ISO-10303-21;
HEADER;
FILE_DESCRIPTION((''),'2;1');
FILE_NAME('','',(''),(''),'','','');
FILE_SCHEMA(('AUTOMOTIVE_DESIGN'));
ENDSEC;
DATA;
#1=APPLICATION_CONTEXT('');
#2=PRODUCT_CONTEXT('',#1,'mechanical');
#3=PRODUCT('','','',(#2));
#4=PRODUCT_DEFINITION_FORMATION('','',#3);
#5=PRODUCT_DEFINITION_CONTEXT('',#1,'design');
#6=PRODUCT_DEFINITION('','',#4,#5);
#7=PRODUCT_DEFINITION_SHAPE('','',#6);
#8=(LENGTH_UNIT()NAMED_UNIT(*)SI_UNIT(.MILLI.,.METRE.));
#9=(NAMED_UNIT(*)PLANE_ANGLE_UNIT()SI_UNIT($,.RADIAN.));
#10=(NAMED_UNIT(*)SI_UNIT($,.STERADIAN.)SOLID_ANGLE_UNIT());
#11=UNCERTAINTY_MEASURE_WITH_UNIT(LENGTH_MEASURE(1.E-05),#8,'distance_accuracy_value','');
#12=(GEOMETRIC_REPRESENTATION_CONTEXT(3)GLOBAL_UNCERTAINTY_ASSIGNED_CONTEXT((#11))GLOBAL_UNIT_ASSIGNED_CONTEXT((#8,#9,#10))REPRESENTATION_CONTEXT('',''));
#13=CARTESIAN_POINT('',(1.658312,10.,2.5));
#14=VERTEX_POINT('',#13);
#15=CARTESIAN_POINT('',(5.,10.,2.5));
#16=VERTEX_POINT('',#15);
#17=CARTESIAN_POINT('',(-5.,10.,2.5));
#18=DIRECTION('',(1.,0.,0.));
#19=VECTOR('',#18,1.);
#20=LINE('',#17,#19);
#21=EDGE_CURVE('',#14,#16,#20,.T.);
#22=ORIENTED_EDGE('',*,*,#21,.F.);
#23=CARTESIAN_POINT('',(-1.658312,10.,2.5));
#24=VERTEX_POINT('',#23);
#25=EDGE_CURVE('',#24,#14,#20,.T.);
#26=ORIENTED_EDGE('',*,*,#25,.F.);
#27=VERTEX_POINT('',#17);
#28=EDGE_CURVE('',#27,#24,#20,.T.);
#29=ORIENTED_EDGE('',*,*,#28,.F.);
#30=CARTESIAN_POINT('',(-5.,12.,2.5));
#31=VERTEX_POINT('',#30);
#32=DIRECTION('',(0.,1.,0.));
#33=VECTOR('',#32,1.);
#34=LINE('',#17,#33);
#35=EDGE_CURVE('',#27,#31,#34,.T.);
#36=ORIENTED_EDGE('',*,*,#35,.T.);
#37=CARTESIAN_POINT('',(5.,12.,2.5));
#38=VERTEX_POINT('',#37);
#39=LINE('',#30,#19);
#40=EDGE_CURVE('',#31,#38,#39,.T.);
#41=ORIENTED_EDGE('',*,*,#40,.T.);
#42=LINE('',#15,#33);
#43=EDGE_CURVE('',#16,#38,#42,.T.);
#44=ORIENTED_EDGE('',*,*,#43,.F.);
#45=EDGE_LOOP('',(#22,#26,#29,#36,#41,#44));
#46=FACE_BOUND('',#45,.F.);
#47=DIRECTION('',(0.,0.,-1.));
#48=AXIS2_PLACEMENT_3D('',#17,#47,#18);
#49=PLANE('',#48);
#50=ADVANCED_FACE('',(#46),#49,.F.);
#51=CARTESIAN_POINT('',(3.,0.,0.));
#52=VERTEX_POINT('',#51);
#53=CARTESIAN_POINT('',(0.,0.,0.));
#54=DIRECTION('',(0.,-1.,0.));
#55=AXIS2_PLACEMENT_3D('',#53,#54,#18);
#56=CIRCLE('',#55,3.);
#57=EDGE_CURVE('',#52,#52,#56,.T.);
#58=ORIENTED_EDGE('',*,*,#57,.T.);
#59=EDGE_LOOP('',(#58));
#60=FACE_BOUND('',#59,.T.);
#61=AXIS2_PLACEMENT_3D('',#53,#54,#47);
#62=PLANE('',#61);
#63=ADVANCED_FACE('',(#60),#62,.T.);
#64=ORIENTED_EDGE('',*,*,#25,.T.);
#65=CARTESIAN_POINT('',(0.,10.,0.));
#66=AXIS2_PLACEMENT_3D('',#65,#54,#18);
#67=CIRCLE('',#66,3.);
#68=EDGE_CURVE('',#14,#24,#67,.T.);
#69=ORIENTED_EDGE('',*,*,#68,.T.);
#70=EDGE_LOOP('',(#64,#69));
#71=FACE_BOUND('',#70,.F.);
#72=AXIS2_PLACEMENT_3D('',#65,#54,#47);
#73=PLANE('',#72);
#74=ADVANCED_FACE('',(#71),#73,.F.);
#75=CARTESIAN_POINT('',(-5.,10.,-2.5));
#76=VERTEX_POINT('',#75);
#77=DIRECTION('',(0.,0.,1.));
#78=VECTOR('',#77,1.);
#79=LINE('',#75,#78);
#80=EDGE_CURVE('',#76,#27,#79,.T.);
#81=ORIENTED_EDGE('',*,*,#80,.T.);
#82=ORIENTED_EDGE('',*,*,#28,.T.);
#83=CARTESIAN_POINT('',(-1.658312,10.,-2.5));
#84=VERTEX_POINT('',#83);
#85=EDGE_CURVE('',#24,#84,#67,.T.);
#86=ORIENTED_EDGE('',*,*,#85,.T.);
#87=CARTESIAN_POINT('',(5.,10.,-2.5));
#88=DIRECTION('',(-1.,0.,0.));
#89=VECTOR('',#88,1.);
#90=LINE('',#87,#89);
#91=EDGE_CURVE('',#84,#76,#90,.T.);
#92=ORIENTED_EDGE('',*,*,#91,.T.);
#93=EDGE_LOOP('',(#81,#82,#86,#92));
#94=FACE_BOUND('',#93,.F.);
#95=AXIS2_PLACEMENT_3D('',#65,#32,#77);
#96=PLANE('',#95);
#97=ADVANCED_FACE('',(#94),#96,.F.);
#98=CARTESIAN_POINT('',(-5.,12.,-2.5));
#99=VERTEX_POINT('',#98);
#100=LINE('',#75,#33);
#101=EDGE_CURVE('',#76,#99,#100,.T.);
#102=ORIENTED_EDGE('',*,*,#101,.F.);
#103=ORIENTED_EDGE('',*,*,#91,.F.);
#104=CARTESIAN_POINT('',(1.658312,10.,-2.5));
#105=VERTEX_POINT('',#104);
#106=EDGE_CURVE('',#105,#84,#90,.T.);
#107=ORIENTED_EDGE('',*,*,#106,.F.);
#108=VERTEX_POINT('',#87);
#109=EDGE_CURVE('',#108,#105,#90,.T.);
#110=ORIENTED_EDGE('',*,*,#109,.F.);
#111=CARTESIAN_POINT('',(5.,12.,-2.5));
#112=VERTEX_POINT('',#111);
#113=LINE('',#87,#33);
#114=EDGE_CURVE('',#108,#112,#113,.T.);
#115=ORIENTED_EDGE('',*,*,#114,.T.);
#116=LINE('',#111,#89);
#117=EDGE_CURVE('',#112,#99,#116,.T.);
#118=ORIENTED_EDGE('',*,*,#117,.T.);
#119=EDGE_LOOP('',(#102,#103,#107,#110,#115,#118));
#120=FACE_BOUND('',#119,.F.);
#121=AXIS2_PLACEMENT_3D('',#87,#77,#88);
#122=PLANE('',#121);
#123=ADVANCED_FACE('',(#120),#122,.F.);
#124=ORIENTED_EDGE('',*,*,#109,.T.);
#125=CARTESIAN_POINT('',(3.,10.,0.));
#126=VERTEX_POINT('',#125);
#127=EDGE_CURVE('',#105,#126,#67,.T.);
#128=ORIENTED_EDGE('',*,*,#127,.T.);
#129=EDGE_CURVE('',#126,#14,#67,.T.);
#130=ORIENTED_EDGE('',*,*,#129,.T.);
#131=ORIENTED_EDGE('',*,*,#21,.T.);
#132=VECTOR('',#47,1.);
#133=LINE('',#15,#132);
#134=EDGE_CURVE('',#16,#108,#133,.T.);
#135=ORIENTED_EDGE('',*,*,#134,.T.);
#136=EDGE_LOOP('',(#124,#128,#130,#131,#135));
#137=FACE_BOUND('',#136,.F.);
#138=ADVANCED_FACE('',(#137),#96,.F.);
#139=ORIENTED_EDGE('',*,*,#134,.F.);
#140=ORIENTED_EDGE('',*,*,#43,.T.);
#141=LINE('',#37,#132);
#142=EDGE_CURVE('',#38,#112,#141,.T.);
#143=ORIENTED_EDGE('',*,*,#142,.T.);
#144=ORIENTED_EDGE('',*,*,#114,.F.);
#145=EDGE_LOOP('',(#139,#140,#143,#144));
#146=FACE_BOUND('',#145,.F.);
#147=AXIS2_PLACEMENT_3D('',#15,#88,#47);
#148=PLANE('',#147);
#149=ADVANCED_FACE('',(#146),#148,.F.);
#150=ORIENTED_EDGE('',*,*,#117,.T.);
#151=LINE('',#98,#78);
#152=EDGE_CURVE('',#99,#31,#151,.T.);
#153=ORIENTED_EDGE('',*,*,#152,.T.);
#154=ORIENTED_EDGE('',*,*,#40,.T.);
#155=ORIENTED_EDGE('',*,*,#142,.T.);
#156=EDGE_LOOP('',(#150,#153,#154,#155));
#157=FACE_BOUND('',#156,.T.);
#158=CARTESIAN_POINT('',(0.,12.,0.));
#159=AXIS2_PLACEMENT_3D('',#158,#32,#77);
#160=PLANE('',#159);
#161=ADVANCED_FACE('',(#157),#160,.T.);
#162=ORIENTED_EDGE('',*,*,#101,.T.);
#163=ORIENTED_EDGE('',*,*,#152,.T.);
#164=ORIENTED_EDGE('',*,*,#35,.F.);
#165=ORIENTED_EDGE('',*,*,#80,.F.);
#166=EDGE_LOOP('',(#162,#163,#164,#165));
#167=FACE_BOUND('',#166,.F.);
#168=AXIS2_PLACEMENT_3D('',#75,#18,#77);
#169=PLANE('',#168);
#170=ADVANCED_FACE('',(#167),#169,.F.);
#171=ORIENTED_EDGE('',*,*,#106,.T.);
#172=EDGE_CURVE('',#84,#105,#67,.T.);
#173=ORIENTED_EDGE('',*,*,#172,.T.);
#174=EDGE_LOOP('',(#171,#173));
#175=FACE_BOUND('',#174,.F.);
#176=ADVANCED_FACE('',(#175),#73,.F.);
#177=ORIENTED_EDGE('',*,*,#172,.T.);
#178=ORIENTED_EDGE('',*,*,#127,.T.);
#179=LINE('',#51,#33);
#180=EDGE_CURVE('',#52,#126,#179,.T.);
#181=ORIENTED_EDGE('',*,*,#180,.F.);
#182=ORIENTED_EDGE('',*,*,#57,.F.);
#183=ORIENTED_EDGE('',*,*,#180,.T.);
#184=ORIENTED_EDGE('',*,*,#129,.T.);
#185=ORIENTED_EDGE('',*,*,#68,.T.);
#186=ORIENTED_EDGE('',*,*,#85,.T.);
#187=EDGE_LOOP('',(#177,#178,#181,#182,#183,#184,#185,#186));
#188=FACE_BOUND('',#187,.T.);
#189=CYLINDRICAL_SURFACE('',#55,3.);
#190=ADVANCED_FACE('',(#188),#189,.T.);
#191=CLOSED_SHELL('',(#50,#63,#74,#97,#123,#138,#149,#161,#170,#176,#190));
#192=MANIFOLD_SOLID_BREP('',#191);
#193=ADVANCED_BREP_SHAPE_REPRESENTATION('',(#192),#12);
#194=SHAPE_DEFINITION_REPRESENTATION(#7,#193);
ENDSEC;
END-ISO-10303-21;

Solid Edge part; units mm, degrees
sketch "Sketch1" plane through (0, 0, 0) normal (0, -1, 0) x (1, 0, 0)
  circle A0 centre (0, 0) radius 3
extrude "Protrusion1" add sketch "Sketch1" against normal blind 10
sketch "Sketch2" plane through (0, 10, 0) normal (0, 1, 0) x (1, 0, 0)
  line L0 (-5, -2.5) -> (5, -2.5)
  line L1 (5, -2.5) -> (5, 2.5)
  line L2 (5, 2.5) -> (-5, 2.5)
  line L3 (-5, 2.5) -> (-5, -2.5)
extrude "ExtrudedProtrusion_3" add sketch "Sketch2" along normal blind 2
